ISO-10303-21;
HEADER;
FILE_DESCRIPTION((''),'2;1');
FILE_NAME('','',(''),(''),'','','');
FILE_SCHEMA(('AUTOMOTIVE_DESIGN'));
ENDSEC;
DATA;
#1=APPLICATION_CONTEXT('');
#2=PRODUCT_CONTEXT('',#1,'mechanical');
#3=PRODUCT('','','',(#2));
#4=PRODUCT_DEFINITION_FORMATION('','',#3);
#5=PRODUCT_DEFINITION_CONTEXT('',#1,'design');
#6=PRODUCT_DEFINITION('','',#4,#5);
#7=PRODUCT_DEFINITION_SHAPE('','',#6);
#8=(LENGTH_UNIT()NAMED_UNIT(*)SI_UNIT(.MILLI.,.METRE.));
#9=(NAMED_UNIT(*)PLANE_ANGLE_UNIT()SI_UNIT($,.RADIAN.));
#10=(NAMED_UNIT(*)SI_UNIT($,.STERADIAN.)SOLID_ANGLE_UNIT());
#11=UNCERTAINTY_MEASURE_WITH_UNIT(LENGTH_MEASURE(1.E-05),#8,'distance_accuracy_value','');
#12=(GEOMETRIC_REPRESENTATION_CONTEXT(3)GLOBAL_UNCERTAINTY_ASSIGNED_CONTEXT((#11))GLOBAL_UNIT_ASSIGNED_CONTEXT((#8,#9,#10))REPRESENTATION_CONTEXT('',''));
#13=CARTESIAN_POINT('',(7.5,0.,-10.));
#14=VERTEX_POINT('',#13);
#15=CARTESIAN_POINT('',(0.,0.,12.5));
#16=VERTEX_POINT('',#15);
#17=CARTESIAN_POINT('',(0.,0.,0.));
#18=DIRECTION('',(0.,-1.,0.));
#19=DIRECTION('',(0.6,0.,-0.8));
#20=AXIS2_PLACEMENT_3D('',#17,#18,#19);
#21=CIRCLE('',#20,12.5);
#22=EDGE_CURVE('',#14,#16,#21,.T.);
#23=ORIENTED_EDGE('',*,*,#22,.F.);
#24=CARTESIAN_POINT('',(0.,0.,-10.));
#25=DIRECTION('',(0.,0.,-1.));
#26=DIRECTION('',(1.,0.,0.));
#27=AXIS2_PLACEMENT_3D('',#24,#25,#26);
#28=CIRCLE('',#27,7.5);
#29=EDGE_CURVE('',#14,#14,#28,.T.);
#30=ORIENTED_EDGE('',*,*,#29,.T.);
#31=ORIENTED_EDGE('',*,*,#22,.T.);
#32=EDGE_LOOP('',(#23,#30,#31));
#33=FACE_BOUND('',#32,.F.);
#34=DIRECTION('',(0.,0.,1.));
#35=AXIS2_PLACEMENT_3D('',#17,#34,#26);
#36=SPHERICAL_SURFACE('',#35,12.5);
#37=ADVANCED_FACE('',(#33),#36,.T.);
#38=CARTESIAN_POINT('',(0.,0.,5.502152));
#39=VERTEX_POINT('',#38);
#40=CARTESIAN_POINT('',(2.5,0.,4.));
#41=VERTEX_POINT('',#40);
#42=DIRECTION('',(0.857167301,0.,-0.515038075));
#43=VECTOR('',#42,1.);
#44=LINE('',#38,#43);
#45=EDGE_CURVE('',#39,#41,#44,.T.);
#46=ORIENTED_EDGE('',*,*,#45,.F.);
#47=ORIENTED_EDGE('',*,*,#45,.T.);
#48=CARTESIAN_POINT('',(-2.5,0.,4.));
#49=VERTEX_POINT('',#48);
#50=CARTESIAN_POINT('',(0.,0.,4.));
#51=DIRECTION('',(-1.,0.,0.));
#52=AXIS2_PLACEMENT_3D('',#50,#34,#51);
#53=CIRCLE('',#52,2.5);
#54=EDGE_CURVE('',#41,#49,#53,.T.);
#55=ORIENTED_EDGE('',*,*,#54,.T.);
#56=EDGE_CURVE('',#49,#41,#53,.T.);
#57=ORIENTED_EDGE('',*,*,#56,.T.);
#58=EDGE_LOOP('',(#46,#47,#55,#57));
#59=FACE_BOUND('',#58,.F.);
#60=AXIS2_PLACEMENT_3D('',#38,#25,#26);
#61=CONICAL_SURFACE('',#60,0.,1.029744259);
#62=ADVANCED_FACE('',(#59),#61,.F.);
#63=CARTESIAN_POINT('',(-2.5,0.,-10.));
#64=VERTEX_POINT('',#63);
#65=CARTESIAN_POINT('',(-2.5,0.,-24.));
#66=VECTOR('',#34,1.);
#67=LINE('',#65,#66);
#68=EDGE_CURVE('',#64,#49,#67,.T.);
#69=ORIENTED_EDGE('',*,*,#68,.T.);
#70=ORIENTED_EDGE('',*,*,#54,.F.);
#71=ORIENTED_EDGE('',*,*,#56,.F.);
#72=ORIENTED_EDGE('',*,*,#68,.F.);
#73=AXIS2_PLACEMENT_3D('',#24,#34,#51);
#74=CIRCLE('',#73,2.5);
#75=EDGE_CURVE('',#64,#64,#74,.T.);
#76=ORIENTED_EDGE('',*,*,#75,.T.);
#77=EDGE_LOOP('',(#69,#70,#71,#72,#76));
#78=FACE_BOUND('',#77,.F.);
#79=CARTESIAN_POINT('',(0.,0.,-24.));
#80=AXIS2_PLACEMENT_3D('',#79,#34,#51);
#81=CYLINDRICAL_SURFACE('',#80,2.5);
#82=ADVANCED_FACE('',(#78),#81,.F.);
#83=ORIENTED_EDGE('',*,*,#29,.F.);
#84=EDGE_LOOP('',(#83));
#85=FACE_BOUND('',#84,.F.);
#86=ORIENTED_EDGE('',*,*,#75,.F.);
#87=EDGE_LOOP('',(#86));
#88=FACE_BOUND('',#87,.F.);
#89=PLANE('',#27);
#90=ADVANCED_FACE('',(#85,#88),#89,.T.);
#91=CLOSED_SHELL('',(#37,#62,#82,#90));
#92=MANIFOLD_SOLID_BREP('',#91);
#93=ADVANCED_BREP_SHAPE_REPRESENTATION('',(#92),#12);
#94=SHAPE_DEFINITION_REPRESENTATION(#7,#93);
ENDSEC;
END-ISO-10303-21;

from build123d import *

# Parameters (mm, degrees)
F3_D     = 5
F3_DEPTH = 14
F3_TIP   = 1.5021515476


with BuildPart() as f1:
    # F0 (on Front) → F1 (revolve)
    with BuildSketch(Plane.XZ):
        with BuildLine():
            Line((0, -10), (7.5, -10))
            ThreePointArc((7.5, -10), (11.8585412256, 3.9528470752), (0, 12.5))
            Line((0, 12.5), (0, -10))
        make_face()
    revolve(axis=Axis((0, 0, 1.25), (0, 0, -1)))

    # F3
    with Locations(Plane(origin=(0, 0, -10), x_dir=(1, 0, 0), z_dir=(0, 0, -1))):
        with Locations((0, 0)):
            Hole(F3_D / 2, depth=F3_DEPTH)
            with Locations((0, 0, -(F3_DEPTH + F3_TIP / 2))):  # 118° drill point
                Cone(0, F3_D / 2, F3_TIP, mode=Mode.SUBTRACT)


solid = f1.part
